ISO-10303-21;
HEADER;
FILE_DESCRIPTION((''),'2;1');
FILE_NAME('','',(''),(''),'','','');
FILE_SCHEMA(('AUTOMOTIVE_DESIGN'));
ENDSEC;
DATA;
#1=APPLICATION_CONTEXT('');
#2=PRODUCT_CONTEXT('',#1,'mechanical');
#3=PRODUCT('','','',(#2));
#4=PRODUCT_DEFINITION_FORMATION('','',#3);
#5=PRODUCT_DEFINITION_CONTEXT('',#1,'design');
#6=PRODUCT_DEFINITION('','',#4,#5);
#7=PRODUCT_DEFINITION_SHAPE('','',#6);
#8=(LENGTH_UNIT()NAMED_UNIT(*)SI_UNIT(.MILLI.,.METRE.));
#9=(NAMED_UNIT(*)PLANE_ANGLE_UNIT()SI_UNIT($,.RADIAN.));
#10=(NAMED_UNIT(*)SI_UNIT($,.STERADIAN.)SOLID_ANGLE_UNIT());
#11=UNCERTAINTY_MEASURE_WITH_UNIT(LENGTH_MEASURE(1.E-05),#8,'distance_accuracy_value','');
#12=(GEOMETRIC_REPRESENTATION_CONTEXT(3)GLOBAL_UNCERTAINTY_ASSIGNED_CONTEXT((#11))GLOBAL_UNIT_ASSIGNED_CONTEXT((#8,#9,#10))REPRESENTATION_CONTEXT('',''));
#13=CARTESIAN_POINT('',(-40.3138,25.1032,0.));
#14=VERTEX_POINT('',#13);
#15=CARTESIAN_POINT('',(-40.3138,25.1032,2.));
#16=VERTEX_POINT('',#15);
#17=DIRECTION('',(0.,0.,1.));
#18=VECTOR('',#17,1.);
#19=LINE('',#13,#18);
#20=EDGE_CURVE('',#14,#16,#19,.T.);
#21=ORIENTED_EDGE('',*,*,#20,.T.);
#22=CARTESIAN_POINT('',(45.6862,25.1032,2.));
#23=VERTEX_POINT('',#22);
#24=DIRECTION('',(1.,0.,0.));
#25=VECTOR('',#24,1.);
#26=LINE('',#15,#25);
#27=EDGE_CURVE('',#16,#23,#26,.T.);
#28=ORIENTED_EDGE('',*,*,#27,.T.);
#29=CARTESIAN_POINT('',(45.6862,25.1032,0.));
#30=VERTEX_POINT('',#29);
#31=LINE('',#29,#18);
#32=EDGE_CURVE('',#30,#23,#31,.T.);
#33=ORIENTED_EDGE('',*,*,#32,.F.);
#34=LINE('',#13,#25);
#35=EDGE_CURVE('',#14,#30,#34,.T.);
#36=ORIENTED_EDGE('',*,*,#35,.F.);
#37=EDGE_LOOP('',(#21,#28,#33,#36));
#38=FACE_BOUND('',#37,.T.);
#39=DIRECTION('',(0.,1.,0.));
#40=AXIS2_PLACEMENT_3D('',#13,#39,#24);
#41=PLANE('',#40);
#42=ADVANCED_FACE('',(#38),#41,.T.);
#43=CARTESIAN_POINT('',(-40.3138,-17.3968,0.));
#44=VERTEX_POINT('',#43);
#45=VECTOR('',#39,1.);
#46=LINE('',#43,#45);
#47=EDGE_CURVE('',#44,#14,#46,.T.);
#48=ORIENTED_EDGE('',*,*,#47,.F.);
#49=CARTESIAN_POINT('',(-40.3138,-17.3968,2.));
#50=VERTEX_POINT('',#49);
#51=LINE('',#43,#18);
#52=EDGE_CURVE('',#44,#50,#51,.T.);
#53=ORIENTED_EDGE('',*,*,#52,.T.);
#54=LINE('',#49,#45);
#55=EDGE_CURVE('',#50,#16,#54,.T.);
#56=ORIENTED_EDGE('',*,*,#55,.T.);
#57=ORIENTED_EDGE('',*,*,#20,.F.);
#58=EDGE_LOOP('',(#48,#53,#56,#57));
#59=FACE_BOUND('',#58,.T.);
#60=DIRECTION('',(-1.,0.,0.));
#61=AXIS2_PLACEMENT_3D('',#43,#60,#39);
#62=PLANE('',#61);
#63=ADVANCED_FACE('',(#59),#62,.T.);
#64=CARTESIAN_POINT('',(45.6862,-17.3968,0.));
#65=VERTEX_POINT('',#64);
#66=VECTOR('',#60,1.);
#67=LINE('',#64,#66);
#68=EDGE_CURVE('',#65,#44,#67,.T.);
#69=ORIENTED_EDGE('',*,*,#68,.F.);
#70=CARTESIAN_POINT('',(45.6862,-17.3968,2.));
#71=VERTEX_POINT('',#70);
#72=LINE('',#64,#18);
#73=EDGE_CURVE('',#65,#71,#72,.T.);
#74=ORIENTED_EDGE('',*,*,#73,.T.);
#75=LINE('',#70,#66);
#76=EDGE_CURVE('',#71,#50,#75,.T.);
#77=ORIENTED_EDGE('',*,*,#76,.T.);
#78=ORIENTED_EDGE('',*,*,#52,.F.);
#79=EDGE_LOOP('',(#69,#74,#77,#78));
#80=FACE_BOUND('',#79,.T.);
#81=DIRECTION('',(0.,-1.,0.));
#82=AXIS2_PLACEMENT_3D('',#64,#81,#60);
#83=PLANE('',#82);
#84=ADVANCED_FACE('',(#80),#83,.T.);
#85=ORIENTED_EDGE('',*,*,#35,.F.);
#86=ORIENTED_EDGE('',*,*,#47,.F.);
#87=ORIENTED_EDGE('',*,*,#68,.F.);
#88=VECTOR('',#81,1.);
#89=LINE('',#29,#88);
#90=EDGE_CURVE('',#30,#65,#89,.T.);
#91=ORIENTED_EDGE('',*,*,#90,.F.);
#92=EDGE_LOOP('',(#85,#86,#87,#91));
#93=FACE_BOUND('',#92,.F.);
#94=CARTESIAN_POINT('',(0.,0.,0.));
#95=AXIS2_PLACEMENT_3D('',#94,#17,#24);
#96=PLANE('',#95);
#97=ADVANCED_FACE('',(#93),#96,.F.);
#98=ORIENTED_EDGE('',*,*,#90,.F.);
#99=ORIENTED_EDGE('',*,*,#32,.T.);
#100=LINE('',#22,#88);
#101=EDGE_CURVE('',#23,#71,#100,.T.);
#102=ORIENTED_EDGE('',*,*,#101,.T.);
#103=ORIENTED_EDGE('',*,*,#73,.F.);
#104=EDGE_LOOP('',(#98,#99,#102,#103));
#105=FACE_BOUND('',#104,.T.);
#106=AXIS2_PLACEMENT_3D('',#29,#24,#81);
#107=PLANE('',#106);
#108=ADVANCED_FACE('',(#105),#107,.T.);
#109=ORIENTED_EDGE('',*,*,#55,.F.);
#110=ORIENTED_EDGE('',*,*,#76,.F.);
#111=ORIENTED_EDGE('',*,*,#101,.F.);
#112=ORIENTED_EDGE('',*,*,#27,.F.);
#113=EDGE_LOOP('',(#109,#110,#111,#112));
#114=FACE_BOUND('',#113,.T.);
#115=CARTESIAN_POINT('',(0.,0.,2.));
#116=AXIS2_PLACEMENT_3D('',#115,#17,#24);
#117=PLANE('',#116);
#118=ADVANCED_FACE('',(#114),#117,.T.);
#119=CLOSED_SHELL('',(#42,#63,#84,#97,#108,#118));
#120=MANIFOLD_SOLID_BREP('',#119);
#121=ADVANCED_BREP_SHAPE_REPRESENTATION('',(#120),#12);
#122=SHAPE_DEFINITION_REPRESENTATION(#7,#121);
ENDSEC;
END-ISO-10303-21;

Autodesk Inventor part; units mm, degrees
ref_plane "YZ Plane" through (0, 0, 0) normal (1, 0, 0) x (0, 1, 0)
ref_plane "XZ Plane" through (0, 0, 0) normal (0, 1, 0) x (-1, 0, 0)
ref_plane "XY Plane" through (0, 0, 0) normal (0, 0, 1) x (1, 0, 0)
sketch "Sketch1" plane through (0, 0, 0) normal (0, 0, 1) x (1, 0, 0)
  line L0 (-40.3138, 25.1032) -> (45.6862, 25.1032)
  line L1 (45.6862, 25.1032) -> (45.6862, -17.3968)
  line L2 (45.6862, -17.3968) -> (-40.3138, -17.3968)
  line L3 (-40.3138, -17.3968) -> (-40.3138, 25.1032)
  point P0 (0, 0)
  dimension "d0" = 86
  dimension "d1" = 42.5
extrude "Extrusion1" add sketch "Sketch1" along normal blind 2
properties part number "front-panel"
